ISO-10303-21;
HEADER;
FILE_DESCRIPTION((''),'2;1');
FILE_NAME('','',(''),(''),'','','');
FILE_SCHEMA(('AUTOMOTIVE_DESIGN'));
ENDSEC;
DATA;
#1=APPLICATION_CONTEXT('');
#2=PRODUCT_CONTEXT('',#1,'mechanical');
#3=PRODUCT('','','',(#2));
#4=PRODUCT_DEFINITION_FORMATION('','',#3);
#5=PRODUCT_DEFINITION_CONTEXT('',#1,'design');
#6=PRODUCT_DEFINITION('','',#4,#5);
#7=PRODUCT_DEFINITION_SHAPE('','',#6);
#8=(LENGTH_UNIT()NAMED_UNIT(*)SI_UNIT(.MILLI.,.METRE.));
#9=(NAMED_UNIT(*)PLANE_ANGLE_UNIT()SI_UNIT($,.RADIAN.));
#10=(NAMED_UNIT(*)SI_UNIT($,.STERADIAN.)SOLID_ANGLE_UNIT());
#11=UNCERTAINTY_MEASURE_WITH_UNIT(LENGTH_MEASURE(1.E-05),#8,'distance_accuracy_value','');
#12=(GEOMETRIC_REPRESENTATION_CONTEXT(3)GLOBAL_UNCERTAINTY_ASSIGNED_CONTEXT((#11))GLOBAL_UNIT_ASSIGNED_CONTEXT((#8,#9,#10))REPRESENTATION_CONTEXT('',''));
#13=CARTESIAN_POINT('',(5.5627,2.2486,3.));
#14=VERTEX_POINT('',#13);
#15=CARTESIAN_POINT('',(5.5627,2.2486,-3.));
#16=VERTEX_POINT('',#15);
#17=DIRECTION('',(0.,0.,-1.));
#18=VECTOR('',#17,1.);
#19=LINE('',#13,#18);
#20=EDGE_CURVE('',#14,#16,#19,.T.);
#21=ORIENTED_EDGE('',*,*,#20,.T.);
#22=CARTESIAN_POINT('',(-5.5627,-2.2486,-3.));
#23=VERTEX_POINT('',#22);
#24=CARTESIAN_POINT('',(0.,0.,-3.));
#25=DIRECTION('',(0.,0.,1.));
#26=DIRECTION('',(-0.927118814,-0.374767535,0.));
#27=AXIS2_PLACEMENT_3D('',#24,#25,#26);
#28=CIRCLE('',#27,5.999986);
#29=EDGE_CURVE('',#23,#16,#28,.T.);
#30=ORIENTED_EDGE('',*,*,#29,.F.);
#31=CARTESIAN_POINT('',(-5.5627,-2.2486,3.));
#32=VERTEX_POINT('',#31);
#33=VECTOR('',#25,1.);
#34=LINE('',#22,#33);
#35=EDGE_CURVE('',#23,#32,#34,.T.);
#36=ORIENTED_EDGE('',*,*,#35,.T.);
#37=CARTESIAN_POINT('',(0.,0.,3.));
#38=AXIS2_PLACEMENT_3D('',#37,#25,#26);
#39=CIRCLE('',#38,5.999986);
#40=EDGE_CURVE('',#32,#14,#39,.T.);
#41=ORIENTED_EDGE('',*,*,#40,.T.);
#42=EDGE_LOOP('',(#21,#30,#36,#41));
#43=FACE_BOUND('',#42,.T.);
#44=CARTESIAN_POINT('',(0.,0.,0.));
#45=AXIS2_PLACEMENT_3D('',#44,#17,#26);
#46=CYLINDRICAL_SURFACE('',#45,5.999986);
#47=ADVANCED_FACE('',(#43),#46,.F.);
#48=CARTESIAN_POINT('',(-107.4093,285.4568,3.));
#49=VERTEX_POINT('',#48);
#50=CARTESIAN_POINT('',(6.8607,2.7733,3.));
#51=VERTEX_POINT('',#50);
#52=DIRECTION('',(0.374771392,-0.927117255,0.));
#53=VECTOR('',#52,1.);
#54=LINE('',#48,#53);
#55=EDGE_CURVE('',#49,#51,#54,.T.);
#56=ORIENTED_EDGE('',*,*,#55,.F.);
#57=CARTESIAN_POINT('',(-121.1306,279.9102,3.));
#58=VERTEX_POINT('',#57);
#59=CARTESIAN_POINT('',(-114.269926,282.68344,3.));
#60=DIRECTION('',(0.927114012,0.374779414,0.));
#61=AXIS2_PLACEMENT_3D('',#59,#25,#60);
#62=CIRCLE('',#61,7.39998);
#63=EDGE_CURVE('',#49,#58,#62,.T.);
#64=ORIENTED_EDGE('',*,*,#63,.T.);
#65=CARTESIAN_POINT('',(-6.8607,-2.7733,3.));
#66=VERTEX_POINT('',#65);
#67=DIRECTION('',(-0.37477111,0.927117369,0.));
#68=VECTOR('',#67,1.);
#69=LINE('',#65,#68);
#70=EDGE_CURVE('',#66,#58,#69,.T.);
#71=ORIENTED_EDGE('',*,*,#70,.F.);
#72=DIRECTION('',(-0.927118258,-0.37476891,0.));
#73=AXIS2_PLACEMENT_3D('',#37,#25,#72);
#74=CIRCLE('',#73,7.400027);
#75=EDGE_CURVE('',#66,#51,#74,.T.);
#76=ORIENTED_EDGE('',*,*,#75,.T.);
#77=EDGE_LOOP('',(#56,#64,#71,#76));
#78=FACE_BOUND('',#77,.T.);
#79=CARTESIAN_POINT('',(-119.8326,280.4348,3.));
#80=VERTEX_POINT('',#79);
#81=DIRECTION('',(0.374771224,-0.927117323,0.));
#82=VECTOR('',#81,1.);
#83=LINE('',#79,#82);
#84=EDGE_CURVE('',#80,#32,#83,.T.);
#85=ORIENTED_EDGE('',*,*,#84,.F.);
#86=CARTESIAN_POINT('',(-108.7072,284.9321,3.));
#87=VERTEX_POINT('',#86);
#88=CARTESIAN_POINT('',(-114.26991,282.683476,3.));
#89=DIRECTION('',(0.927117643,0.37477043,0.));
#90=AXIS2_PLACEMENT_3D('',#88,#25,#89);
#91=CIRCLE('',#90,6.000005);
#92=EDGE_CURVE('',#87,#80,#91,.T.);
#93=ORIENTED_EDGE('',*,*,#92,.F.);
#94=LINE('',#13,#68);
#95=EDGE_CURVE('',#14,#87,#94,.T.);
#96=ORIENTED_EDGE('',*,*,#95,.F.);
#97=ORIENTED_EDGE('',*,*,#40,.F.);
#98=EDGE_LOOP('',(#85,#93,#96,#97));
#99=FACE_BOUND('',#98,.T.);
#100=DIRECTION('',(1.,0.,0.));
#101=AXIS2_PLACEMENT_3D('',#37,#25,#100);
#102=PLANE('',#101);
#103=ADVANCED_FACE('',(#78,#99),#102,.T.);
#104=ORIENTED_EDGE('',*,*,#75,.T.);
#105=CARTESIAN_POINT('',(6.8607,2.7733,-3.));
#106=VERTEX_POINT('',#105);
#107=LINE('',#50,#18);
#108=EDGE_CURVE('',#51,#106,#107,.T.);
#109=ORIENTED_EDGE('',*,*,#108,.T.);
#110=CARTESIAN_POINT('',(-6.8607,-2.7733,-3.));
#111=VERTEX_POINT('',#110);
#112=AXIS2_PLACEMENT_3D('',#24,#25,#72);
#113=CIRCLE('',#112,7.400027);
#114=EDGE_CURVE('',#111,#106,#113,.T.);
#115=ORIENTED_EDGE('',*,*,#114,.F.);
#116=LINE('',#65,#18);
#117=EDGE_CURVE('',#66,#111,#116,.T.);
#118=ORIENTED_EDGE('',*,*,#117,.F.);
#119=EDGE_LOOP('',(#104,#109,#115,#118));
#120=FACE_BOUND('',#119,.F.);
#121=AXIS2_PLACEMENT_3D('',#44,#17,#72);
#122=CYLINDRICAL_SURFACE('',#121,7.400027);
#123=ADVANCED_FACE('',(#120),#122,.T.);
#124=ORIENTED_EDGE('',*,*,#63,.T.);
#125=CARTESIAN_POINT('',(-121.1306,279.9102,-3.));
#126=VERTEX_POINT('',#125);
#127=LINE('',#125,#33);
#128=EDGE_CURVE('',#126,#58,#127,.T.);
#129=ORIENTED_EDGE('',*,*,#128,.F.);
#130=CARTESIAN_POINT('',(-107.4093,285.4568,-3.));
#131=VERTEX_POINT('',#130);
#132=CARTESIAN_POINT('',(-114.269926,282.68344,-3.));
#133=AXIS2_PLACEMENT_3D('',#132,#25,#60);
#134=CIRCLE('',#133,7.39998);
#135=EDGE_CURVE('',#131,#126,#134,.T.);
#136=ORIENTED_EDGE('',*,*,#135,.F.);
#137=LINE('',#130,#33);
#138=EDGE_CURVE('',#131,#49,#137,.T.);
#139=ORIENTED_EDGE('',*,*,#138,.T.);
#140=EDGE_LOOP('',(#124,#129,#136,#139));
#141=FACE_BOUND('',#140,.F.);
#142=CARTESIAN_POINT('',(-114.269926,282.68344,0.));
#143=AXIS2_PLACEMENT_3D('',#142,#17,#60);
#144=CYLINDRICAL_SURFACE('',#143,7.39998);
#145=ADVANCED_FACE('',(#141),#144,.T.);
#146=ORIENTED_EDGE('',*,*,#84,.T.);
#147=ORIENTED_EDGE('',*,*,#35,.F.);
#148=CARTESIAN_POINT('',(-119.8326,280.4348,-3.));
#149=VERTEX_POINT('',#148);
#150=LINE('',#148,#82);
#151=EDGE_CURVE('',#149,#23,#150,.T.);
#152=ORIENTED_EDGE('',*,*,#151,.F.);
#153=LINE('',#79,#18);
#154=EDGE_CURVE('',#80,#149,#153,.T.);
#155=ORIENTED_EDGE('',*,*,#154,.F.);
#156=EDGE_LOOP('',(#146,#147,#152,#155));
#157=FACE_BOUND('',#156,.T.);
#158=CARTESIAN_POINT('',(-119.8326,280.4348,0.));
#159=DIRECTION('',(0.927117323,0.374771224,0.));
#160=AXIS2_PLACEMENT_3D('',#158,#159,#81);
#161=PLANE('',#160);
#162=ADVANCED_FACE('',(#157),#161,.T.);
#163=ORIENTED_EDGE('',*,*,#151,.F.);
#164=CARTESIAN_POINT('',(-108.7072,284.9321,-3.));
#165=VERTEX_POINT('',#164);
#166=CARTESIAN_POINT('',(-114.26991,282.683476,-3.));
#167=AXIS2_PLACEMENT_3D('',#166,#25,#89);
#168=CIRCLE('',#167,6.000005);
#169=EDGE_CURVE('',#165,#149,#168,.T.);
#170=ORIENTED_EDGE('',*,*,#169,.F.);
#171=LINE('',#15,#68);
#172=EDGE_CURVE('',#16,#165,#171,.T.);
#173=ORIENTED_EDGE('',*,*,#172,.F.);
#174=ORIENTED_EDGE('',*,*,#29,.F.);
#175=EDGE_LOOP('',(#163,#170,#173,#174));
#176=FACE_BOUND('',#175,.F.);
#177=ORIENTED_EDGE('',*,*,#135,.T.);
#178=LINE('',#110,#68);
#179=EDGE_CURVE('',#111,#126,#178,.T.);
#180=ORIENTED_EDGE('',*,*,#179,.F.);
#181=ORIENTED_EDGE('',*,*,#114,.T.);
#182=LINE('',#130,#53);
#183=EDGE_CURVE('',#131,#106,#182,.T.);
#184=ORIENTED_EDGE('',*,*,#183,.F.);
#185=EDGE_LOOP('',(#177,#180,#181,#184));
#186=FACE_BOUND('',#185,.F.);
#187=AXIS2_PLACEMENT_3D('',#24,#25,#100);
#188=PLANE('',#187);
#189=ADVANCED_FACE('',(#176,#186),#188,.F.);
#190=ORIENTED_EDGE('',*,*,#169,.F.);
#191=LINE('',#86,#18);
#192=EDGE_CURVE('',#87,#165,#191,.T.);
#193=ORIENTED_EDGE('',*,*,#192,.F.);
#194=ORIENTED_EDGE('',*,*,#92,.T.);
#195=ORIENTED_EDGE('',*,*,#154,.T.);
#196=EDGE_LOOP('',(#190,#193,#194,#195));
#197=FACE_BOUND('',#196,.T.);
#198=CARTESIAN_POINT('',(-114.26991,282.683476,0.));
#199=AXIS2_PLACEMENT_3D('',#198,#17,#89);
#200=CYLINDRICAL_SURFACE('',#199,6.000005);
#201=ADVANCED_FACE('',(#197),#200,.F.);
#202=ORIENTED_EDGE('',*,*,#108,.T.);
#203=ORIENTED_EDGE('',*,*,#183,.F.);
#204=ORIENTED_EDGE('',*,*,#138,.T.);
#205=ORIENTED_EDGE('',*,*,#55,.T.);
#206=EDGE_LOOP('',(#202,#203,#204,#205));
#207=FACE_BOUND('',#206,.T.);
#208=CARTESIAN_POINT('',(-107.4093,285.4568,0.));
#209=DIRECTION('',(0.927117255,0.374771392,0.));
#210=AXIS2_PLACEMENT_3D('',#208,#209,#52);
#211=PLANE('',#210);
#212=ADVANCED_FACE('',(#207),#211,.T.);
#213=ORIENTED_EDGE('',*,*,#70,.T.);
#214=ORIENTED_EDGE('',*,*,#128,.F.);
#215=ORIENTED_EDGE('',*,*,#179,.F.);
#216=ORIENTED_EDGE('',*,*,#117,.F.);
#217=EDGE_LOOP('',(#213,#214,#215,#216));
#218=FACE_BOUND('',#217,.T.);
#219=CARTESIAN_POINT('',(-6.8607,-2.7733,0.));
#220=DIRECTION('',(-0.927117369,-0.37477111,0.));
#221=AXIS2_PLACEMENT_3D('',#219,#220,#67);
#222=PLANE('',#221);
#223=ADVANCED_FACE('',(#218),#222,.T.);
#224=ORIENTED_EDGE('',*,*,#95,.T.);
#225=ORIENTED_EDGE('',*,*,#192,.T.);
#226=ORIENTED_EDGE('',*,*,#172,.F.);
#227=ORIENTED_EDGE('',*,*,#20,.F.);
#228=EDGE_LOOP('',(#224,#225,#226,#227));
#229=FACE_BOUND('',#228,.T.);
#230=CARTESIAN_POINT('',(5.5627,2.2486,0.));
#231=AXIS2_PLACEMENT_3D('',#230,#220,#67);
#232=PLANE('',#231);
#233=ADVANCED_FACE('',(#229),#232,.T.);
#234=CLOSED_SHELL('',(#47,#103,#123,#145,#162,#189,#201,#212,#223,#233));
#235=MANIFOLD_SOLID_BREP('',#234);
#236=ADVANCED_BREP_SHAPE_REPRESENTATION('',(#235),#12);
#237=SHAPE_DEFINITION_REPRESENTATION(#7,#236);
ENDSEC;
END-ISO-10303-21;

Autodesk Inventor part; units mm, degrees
ref_plane "YZ Plane" through (0, 0, 0) normal (1, 0, 0) x (0, 1, 0)
ref_plane "XZ Plane" through (0, 0, 0) normal (0, 1, 0) x (-1, 0, 0)
ref_plane "XY Plane" through (0, 0, 0) normal (0, 0, 1) x (1, 0, 0)
sketch "Эскиз1" plane through (0, 0, 0) normal (0, 0, 1) x (1, 0, 0)
  arc A0 (-5.5627, -2.2486) -> (5.5627, 2.2486) centre (0, 0) ccw
  circle A1 centre (-114.2699, 282.6835) radius 2.5 projected
  arc A2 (-108.7072, 284.9321) -> (-119.8326, 280.4348) centre (-114.2699, 282.6835) ccw
  arc A3 (-107.4093, 285.4568) -> (-121.1306, 279.9102) centre (-114.2699, 282.6835) ccw
  line L0 (-107.4093, 285.4568) -> (6.8607, 2.7733)
  line L1 (-6.8607, -2.7733) -> (-121.1306, 279.9102)
  line L2 (5.5627, 2.2486) -> (-108.7072, 284.9321)
  line L3 (-119.8326, 280.4348) -> (-5.5627, -2.2486)
  arc A4 (-6.8607, -2.7733) -> (6.8607, 2.7733) centre (0, 0) ccw
  dimension "d0" = 12
  dimension "d1" = 1.4
  dimension "d3" = 12
  dimension "d4" = 1.4
extrude "Выдавливание1" add sketch "Эскиз1" along normal mid plane 6 contours L0 A4 L1 A3
properties part number "ремень оси y"
